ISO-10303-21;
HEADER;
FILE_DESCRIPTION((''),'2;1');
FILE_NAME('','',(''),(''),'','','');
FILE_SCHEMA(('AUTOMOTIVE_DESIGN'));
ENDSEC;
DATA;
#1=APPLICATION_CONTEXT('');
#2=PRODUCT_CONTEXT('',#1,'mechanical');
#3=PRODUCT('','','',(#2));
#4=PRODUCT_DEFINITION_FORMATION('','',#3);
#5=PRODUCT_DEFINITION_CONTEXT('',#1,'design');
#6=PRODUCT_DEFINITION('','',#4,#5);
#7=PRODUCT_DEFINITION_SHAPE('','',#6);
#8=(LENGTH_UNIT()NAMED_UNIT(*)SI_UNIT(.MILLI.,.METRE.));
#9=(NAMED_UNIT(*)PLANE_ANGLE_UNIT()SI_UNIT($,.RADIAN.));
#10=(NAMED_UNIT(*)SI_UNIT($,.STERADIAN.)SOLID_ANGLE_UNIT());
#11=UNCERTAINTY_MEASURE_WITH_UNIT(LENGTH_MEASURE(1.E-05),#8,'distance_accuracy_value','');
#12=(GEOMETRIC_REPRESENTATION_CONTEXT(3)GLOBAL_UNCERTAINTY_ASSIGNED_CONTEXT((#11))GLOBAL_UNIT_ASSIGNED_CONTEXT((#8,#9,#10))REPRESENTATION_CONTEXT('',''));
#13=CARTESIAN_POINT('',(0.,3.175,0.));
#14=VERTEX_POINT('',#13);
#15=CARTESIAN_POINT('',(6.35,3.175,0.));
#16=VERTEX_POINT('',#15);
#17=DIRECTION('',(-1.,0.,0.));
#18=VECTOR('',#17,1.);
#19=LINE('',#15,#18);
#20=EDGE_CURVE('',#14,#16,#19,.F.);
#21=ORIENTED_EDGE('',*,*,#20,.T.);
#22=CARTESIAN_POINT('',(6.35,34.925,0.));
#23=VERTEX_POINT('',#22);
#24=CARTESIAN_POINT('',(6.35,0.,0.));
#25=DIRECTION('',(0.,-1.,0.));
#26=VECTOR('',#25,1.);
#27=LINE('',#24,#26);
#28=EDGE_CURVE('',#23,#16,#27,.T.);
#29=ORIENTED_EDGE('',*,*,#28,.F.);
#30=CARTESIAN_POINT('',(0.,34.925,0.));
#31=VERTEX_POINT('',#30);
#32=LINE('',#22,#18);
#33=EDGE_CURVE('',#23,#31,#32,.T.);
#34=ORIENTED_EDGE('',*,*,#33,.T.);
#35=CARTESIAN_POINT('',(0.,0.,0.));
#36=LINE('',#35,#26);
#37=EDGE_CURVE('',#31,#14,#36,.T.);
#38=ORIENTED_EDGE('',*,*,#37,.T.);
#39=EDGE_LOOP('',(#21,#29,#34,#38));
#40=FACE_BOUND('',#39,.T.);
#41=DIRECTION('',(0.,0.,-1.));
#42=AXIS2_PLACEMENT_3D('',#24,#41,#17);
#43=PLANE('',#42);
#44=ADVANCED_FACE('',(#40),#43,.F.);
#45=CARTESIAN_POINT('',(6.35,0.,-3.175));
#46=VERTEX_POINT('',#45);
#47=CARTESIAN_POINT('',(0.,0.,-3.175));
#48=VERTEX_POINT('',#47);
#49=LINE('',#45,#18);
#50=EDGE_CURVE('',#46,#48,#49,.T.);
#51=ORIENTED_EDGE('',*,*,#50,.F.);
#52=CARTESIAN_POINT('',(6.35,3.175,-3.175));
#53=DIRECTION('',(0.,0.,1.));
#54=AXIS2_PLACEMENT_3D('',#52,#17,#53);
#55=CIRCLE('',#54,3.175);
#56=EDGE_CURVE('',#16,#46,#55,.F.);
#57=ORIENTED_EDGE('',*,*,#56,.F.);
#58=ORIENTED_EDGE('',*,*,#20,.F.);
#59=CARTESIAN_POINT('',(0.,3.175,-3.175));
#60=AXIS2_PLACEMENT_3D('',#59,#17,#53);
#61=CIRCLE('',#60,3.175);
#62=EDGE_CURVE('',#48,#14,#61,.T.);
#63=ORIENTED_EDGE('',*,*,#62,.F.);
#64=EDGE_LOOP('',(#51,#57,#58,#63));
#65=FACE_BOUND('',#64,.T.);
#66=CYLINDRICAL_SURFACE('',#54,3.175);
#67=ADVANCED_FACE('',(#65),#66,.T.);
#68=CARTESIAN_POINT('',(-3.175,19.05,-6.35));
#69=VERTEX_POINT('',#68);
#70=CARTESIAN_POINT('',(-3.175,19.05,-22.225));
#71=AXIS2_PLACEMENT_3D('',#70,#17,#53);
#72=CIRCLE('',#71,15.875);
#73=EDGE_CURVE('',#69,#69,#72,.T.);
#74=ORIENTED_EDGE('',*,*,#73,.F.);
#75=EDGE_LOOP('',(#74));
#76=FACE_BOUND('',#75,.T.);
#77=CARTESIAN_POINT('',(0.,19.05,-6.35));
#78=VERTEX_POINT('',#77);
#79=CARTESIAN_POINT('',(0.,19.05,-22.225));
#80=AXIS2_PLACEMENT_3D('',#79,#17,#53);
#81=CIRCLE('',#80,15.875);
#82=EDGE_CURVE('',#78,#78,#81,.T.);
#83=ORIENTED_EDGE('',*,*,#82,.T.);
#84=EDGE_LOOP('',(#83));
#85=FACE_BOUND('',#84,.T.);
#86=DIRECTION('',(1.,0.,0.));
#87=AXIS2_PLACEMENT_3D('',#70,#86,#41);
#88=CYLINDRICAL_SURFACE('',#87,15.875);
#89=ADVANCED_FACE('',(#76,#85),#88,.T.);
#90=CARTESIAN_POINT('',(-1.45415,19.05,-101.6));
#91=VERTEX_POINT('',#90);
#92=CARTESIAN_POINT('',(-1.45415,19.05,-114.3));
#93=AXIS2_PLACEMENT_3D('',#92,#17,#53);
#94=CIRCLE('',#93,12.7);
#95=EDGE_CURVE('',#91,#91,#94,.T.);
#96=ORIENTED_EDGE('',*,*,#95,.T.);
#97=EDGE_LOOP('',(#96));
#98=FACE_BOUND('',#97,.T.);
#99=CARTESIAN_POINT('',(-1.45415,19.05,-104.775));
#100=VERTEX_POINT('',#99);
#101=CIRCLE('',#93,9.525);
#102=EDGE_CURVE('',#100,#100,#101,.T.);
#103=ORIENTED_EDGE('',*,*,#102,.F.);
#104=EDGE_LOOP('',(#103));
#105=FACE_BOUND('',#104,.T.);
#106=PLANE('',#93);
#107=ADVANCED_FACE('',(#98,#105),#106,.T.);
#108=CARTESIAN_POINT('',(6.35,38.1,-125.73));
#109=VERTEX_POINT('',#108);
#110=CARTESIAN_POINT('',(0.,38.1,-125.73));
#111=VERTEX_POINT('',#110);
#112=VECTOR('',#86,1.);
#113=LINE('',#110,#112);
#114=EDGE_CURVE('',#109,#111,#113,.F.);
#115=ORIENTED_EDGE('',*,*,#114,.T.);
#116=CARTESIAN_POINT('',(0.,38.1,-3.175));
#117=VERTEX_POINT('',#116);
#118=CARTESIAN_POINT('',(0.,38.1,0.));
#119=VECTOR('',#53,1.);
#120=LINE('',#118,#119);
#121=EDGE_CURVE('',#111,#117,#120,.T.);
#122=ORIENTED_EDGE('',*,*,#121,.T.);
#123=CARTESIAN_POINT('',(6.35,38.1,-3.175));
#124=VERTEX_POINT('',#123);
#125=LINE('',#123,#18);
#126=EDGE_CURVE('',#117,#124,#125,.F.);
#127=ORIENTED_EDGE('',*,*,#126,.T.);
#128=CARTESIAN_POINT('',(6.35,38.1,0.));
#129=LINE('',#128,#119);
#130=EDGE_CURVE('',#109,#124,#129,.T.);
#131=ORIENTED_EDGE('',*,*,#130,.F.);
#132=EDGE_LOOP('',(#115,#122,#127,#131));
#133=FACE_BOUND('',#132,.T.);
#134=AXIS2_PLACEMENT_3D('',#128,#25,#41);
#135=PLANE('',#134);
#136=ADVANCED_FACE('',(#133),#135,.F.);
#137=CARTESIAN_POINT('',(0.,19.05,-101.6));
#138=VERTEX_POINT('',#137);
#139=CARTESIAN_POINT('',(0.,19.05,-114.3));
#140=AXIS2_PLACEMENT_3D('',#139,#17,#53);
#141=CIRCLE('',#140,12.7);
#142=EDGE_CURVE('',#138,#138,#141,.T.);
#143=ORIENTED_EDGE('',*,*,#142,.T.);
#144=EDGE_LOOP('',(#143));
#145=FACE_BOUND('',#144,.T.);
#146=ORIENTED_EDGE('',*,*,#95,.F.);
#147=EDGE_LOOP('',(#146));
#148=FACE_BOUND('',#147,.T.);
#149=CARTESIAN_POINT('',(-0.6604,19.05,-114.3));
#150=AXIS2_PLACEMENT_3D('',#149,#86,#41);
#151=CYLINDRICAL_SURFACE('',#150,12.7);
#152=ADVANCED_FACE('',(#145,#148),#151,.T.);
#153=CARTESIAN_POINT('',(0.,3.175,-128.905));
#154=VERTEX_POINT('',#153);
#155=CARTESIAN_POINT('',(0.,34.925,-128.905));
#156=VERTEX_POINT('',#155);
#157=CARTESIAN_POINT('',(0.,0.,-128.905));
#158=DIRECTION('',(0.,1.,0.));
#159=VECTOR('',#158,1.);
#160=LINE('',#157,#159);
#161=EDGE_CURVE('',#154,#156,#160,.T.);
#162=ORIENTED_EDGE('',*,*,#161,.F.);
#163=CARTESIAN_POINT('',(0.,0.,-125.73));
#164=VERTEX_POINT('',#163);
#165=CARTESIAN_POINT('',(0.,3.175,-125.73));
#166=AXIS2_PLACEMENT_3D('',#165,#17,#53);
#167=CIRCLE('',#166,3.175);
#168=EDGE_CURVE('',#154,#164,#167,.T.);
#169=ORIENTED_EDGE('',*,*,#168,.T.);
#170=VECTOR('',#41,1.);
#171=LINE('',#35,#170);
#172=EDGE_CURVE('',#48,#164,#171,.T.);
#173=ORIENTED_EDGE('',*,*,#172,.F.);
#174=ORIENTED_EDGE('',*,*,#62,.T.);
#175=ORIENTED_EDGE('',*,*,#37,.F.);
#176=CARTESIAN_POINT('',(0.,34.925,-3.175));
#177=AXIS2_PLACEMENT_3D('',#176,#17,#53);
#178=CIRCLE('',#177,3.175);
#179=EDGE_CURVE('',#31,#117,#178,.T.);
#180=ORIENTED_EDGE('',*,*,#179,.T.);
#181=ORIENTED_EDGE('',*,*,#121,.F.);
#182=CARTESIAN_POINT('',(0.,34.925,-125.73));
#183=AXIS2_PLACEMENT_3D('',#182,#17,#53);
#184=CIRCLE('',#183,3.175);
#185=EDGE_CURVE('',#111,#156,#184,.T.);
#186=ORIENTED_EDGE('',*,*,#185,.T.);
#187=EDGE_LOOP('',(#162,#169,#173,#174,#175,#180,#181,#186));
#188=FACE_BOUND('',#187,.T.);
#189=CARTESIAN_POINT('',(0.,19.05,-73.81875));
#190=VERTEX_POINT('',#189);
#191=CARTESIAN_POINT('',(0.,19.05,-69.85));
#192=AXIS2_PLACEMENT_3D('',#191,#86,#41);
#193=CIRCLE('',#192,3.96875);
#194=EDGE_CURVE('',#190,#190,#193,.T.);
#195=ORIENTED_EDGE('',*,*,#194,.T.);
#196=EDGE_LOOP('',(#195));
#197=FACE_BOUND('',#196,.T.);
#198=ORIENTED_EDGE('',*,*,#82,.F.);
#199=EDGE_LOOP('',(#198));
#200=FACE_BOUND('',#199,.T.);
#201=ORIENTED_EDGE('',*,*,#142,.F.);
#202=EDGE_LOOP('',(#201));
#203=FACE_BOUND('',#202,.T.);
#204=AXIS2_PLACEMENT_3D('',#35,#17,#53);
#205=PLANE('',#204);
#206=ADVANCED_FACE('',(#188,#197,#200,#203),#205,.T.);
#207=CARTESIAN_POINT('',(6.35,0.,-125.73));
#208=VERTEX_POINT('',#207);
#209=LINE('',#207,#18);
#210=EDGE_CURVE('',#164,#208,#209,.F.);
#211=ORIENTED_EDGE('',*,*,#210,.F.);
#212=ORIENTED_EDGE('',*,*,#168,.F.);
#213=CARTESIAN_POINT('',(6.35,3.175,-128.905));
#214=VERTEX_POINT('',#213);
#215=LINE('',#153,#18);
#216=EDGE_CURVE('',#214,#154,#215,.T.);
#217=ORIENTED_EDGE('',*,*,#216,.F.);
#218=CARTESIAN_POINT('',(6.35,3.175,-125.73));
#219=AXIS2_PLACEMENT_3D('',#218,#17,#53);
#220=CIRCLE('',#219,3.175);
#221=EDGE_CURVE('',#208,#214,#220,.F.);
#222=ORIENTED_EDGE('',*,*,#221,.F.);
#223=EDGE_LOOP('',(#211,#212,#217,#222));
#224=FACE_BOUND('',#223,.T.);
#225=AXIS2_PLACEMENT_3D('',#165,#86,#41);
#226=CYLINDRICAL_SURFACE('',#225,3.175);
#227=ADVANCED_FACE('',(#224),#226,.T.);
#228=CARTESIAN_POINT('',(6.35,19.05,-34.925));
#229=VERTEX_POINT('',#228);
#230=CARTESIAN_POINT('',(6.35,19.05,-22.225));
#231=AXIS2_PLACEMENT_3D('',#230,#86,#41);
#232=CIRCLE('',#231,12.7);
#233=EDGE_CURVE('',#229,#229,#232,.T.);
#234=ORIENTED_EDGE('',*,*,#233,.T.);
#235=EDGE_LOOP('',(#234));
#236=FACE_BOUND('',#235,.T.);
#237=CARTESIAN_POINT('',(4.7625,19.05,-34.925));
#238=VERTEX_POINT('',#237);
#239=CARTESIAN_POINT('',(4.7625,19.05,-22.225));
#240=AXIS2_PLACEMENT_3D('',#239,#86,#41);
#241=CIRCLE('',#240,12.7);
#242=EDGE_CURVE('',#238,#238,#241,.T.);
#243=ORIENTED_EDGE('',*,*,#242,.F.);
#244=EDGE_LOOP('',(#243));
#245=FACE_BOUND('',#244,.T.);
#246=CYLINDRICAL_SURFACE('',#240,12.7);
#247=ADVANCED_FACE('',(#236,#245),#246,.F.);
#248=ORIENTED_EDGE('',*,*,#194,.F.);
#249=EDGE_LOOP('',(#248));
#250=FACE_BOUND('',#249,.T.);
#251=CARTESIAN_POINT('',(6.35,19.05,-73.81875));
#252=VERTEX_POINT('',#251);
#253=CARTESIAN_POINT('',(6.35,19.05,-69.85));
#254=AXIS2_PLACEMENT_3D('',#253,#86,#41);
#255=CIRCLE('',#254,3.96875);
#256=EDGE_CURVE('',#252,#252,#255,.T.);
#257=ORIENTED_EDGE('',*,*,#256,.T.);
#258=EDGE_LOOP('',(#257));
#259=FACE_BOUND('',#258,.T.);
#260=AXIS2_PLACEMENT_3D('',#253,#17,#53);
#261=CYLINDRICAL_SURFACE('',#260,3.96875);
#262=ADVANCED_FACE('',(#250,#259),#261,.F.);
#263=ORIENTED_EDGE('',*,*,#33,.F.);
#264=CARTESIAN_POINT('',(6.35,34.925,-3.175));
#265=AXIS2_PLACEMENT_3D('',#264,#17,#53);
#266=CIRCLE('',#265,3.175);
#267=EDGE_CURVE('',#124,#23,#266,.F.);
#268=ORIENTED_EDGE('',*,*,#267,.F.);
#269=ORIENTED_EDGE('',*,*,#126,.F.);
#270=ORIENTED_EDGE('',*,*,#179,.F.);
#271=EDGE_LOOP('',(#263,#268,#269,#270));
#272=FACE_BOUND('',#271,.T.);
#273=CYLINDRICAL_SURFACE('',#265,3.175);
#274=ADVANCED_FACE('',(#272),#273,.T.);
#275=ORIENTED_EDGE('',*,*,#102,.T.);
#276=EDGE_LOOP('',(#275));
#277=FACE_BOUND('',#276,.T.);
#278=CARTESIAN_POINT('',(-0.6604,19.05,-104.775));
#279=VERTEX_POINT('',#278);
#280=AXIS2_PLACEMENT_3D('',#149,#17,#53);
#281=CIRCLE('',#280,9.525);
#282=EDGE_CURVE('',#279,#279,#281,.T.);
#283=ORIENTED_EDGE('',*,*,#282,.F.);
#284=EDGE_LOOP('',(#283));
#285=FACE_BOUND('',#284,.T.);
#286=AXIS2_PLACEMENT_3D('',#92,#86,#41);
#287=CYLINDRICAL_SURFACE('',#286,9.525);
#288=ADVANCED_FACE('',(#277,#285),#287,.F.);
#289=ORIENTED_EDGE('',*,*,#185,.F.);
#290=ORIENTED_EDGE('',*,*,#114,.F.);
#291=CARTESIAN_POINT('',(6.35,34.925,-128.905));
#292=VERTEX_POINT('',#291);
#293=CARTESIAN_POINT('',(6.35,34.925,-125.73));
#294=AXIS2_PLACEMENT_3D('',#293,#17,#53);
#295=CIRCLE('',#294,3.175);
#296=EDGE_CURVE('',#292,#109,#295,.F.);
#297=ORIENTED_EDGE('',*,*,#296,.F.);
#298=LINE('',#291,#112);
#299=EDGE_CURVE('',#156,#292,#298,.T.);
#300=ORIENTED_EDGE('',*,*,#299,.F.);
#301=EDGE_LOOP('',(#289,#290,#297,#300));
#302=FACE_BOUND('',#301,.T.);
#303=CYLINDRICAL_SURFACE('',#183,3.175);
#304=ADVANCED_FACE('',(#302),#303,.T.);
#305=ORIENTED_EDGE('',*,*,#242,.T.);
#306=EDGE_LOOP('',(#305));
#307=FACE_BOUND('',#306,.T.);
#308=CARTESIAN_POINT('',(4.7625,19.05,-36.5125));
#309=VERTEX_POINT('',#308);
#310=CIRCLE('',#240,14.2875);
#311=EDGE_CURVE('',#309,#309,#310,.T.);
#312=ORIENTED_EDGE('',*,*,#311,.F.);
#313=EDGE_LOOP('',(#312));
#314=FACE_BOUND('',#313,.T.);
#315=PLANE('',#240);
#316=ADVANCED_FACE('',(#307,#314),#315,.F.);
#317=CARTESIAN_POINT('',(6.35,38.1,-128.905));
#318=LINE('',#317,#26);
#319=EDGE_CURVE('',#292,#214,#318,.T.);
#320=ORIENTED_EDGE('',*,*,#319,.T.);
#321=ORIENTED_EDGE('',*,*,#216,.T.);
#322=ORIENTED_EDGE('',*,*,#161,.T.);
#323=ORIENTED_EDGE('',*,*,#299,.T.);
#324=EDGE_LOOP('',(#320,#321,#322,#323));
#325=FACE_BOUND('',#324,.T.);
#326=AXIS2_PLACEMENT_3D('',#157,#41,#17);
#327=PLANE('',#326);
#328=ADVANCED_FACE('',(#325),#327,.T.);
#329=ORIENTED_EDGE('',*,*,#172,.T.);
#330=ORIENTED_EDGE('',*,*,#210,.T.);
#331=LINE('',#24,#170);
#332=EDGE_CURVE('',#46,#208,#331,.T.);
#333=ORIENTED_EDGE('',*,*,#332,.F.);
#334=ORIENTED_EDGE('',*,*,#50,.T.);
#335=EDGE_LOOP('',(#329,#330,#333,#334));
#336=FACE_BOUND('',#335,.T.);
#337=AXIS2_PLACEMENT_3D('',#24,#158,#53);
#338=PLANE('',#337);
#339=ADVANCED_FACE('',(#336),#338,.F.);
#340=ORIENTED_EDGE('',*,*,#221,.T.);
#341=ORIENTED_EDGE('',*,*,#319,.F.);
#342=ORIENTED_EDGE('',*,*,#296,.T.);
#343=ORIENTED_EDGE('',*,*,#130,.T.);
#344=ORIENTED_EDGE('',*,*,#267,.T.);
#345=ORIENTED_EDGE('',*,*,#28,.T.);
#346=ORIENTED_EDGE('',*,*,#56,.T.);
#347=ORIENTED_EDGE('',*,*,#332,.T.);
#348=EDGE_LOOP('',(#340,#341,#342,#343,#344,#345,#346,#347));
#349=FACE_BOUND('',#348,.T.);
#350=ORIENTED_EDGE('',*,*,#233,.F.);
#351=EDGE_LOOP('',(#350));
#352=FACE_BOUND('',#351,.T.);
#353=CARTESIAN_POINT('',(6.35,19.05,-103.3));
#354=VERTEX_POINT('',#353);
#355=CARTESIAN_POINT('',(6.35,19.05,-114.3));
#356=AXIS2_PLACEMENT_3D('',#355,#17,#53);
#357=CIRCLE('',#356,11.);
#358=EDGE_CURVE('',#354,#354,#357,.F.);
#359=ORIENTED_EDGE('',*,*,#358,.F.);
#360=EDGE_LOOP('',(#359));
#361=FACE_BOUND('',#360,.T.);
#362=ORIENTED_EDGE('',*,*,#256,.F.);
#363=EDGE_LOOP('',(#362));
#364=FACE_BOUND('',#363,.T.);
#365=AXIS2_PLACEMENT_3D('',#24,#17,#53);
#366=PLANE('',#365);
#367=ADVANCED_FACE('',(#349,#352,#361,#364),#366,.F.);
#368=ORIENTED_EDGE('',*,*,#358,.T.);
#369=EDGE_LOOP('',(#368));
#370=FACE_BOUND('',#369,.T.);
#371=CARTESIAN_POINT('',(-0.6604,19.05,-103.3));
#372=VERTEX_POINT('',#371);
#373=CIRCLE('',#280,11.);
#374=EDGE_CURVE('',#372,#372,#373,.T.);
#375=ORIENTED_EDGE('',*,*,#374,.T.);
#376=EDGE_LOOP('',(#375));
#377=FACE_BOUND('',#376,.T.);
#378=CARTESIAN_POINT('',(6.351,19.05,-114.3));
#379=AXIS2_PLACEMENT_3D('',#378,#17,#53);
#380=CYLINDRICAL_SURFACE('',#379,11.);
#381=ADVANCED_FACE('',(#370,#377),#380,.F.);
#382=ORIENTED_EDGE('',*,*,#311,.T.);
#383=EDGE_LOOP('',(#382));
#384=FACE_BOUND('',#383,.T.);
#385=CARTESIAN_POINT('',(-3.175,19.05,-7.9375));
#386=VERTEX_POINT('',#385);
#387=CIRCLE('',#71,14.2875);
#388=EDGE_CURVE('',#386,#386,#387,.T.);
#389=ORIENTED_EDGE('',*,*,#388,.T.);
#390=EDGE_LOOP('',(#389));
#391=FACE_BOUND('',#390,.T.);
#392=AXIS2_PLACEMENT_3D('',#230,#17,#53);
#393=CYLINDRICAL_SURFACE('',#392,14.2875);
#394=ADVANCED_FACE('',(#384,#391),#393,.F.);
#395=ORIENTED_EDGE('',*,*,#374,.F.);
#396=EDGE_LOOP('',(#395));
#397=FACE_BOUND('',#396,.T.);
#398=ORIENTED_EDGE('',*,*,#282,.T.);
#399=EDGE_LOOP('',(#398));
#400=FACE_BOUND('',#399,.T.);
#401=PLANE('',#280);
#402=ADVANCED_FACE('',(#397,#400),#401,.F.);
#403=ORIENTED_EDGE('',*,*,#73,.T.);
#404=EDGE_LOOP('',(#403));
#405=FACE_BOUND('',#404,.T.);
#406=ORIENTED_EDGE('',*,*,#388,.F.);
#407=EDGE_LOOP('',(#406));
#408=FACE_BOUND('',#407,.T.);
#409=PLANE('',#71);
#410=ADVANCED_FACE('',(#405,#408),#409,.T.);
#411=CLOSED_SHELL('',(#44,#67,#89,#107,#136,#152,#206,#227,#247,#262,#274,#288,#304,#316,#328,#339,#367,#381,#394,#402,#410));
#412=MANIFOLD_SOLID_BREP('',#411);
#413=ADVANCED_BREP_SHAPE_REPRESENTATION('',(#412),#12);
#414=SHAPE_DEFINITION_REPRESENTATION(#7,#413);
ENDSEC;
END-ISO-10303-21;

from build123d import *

# Parameters (mm, degrees)
SKETCH1_W            = 123.825
SKETCH1_H            = 38.1
SKETCH1_R            = 14.2875
SKETCH1_R_2          = 3.96875
SKETCH1_R_3          = 4.7625
BOSS_EXTRUDE1_DEPTH  = 6.35
BOSS_EXTRUDE3_START  = -1.5875
SKETCH3_R            = 14.2875
SKETCH3_R_2          = 12.7
BOSS_EXTRUDE3_DEPTH  = 1.5875
BOSS_EXTRUDE5_START  = 3.175
SKETCH5_R            = 15.875
SKETCH5_R_2          = 14.2875
BOSS_EXTRUDE5_DEPTH  = 3.175
SKETCH17_W           = 6.35
SKETCH17_H           = 38.1
BOSS_EXTRUDE8_DEPTH  = 5.08
CUT_EXTRUDE3_REACH   = 136.568
SKETCH16_R           = 11
BOSS_EXTRUDE9_START  = 0.6604
SKETCH18_R           = 12.7
SKETCH18_R_2         = 11
BOSS_EXTRUDE9_DEPTH  = 0.6604
FILLET2_R            = 3.175
BOSS_EXTRUDE10_START = 0.79375
SKETCH19_R           = 12.7
SKETCH19_R_2         = 9.525
BOSS_EXTRUDE10_DEPTH = 0.79375


with BuildPart() as part:
    # Sketch1 → Boss-Extrude1 (new body)
    with BuildSketch(Plane(origin=(0, 0, 0), x_dir=(0, 0, -1), z_dir=(1, 0, 0))):
        with Locations((61.9125, 19.05)):
            Rectangle(SKETCH1_W, SKETCH1_H)
        with Locations((22.225, 19.05)):
            Circle(SKETCH1_R, mode=Mode.SUBTRACT)
        with Locations((69.85, 19.05)):
            Circle(SKETCH1_R_2, mode=Mode.SUBTRACT)
        with Locations((114.3, 19.05)):
            Circle(SKETCH1_R_3, mode=Mode.SUBTRACT)
    extrude(amount=BOSS_EXTRUDE1_DEPTH)

    # Sketch3 → Boss-Extrude3 (add)
    with BuildSketch(Plane(origin=(6.35, 0, 0), x_dir=(0, 0, -1), z_dir=(1, 0, 0)).offset(BOSS_EXTRUDE3_START)):
        with Locations((22.225, 19.05)):
            Circle(SKETCH3_R)
        with Locations((22.225, 19.05)):
            Circle(SKETCH3_R_2, mode=Mode.SUBTRACT)
    extrude(amount=BOSS_EXTRUDE3_DEPTH)

    # Sketch5 → Boss-Extrude5 (add)
    with BuildSketch(Plane.ZY.offset(BOSS_EXTRUDE5_START)):
        with Locations((-22.225, 19.05)):
            Circle(SKETCH5_R)
        with Locations((-22.225, 19.05)):
            Circle(SKETCH5_R_2, mode=Mode.SUBTRACT)
    extrude(amount=-BOSS_EXTRUDE5_DEPTH)

    # Sketch17 → Boss-Extrude8 (add)
    with BuildSketch(Plane(origin=(0, 0, -123.825), x_dir=(-1, 0, 0), z_dir=(0, 0, -1))):
        with Locations((-3.175, 19.05)):
            Rectangle(SKETCH17_W, SKETCH17_H)
    extrude(amount=BOSS_EXTRUDE8_DEPTH)

    # Sketch16 → Cut-Extrude3 (cut, up to next)
    with BuildSketch(Plane.ZY, mode=Mode.PRIVATE) as cut_extrude3_sk1:
        with Locations((-114.3, 19.05)):
            Circle(SKETCH16_R)
    cut_extrude3_tool1 = extrude(cut_extrude3_sk1.sketch, amount=-CUT_EXTRUDE3_REACH, mode=Mode.PRIVATE) & part.part
    add(cut_extrude3_tool1.solids().sort_by_distance((0, 19.05, -114.3))[0], mode=Mode.SUBTRACT)

    # Sketch18 → Boss-Extrude9 (add)
    with BuildSketch(Plane.ZY.offset(BOSS_EXTRUDE9_START)):
        with Locations((-114.3, 19.05)):
            Circle(SKETCH18_R)
        with Locations((-114.3, 19.05)):
            Circle(SKETCH18_R_2, mode=Mode.SUBTRACT)
    extrude(amount=-BOSS_EXTRUDE9_DEPTH)

    # Fillet2
    fillet2_edges = [part.edges().sort_by_distance(p)[0] for p in [
        (3.175, 0, -128.905),
        (3.175, 38.1, -128.905),
        (3.175, 38.1, 0),
        (3.175, 0, 0),
    ]]
    fillet(fillet2_edges, radius=FILLET2_R)

    # Sketch19 → Boss-Extrude10 (add)
    with BuildSketch(Plane.ZY.offset(0.6604).offset(BOSS_EXTRUDE10_START)):
        with Locations((-114.3, 19.05)):
            Circle(SKETCH19_R)
        with Locations((-114.3, 19.05)):
            Circle(SKETCH19_R_2, mode=Mode.SUBTRACT)
    extrude(amount=-BOSS_EXTRUDE10_DEPTH)


solid = part.part
